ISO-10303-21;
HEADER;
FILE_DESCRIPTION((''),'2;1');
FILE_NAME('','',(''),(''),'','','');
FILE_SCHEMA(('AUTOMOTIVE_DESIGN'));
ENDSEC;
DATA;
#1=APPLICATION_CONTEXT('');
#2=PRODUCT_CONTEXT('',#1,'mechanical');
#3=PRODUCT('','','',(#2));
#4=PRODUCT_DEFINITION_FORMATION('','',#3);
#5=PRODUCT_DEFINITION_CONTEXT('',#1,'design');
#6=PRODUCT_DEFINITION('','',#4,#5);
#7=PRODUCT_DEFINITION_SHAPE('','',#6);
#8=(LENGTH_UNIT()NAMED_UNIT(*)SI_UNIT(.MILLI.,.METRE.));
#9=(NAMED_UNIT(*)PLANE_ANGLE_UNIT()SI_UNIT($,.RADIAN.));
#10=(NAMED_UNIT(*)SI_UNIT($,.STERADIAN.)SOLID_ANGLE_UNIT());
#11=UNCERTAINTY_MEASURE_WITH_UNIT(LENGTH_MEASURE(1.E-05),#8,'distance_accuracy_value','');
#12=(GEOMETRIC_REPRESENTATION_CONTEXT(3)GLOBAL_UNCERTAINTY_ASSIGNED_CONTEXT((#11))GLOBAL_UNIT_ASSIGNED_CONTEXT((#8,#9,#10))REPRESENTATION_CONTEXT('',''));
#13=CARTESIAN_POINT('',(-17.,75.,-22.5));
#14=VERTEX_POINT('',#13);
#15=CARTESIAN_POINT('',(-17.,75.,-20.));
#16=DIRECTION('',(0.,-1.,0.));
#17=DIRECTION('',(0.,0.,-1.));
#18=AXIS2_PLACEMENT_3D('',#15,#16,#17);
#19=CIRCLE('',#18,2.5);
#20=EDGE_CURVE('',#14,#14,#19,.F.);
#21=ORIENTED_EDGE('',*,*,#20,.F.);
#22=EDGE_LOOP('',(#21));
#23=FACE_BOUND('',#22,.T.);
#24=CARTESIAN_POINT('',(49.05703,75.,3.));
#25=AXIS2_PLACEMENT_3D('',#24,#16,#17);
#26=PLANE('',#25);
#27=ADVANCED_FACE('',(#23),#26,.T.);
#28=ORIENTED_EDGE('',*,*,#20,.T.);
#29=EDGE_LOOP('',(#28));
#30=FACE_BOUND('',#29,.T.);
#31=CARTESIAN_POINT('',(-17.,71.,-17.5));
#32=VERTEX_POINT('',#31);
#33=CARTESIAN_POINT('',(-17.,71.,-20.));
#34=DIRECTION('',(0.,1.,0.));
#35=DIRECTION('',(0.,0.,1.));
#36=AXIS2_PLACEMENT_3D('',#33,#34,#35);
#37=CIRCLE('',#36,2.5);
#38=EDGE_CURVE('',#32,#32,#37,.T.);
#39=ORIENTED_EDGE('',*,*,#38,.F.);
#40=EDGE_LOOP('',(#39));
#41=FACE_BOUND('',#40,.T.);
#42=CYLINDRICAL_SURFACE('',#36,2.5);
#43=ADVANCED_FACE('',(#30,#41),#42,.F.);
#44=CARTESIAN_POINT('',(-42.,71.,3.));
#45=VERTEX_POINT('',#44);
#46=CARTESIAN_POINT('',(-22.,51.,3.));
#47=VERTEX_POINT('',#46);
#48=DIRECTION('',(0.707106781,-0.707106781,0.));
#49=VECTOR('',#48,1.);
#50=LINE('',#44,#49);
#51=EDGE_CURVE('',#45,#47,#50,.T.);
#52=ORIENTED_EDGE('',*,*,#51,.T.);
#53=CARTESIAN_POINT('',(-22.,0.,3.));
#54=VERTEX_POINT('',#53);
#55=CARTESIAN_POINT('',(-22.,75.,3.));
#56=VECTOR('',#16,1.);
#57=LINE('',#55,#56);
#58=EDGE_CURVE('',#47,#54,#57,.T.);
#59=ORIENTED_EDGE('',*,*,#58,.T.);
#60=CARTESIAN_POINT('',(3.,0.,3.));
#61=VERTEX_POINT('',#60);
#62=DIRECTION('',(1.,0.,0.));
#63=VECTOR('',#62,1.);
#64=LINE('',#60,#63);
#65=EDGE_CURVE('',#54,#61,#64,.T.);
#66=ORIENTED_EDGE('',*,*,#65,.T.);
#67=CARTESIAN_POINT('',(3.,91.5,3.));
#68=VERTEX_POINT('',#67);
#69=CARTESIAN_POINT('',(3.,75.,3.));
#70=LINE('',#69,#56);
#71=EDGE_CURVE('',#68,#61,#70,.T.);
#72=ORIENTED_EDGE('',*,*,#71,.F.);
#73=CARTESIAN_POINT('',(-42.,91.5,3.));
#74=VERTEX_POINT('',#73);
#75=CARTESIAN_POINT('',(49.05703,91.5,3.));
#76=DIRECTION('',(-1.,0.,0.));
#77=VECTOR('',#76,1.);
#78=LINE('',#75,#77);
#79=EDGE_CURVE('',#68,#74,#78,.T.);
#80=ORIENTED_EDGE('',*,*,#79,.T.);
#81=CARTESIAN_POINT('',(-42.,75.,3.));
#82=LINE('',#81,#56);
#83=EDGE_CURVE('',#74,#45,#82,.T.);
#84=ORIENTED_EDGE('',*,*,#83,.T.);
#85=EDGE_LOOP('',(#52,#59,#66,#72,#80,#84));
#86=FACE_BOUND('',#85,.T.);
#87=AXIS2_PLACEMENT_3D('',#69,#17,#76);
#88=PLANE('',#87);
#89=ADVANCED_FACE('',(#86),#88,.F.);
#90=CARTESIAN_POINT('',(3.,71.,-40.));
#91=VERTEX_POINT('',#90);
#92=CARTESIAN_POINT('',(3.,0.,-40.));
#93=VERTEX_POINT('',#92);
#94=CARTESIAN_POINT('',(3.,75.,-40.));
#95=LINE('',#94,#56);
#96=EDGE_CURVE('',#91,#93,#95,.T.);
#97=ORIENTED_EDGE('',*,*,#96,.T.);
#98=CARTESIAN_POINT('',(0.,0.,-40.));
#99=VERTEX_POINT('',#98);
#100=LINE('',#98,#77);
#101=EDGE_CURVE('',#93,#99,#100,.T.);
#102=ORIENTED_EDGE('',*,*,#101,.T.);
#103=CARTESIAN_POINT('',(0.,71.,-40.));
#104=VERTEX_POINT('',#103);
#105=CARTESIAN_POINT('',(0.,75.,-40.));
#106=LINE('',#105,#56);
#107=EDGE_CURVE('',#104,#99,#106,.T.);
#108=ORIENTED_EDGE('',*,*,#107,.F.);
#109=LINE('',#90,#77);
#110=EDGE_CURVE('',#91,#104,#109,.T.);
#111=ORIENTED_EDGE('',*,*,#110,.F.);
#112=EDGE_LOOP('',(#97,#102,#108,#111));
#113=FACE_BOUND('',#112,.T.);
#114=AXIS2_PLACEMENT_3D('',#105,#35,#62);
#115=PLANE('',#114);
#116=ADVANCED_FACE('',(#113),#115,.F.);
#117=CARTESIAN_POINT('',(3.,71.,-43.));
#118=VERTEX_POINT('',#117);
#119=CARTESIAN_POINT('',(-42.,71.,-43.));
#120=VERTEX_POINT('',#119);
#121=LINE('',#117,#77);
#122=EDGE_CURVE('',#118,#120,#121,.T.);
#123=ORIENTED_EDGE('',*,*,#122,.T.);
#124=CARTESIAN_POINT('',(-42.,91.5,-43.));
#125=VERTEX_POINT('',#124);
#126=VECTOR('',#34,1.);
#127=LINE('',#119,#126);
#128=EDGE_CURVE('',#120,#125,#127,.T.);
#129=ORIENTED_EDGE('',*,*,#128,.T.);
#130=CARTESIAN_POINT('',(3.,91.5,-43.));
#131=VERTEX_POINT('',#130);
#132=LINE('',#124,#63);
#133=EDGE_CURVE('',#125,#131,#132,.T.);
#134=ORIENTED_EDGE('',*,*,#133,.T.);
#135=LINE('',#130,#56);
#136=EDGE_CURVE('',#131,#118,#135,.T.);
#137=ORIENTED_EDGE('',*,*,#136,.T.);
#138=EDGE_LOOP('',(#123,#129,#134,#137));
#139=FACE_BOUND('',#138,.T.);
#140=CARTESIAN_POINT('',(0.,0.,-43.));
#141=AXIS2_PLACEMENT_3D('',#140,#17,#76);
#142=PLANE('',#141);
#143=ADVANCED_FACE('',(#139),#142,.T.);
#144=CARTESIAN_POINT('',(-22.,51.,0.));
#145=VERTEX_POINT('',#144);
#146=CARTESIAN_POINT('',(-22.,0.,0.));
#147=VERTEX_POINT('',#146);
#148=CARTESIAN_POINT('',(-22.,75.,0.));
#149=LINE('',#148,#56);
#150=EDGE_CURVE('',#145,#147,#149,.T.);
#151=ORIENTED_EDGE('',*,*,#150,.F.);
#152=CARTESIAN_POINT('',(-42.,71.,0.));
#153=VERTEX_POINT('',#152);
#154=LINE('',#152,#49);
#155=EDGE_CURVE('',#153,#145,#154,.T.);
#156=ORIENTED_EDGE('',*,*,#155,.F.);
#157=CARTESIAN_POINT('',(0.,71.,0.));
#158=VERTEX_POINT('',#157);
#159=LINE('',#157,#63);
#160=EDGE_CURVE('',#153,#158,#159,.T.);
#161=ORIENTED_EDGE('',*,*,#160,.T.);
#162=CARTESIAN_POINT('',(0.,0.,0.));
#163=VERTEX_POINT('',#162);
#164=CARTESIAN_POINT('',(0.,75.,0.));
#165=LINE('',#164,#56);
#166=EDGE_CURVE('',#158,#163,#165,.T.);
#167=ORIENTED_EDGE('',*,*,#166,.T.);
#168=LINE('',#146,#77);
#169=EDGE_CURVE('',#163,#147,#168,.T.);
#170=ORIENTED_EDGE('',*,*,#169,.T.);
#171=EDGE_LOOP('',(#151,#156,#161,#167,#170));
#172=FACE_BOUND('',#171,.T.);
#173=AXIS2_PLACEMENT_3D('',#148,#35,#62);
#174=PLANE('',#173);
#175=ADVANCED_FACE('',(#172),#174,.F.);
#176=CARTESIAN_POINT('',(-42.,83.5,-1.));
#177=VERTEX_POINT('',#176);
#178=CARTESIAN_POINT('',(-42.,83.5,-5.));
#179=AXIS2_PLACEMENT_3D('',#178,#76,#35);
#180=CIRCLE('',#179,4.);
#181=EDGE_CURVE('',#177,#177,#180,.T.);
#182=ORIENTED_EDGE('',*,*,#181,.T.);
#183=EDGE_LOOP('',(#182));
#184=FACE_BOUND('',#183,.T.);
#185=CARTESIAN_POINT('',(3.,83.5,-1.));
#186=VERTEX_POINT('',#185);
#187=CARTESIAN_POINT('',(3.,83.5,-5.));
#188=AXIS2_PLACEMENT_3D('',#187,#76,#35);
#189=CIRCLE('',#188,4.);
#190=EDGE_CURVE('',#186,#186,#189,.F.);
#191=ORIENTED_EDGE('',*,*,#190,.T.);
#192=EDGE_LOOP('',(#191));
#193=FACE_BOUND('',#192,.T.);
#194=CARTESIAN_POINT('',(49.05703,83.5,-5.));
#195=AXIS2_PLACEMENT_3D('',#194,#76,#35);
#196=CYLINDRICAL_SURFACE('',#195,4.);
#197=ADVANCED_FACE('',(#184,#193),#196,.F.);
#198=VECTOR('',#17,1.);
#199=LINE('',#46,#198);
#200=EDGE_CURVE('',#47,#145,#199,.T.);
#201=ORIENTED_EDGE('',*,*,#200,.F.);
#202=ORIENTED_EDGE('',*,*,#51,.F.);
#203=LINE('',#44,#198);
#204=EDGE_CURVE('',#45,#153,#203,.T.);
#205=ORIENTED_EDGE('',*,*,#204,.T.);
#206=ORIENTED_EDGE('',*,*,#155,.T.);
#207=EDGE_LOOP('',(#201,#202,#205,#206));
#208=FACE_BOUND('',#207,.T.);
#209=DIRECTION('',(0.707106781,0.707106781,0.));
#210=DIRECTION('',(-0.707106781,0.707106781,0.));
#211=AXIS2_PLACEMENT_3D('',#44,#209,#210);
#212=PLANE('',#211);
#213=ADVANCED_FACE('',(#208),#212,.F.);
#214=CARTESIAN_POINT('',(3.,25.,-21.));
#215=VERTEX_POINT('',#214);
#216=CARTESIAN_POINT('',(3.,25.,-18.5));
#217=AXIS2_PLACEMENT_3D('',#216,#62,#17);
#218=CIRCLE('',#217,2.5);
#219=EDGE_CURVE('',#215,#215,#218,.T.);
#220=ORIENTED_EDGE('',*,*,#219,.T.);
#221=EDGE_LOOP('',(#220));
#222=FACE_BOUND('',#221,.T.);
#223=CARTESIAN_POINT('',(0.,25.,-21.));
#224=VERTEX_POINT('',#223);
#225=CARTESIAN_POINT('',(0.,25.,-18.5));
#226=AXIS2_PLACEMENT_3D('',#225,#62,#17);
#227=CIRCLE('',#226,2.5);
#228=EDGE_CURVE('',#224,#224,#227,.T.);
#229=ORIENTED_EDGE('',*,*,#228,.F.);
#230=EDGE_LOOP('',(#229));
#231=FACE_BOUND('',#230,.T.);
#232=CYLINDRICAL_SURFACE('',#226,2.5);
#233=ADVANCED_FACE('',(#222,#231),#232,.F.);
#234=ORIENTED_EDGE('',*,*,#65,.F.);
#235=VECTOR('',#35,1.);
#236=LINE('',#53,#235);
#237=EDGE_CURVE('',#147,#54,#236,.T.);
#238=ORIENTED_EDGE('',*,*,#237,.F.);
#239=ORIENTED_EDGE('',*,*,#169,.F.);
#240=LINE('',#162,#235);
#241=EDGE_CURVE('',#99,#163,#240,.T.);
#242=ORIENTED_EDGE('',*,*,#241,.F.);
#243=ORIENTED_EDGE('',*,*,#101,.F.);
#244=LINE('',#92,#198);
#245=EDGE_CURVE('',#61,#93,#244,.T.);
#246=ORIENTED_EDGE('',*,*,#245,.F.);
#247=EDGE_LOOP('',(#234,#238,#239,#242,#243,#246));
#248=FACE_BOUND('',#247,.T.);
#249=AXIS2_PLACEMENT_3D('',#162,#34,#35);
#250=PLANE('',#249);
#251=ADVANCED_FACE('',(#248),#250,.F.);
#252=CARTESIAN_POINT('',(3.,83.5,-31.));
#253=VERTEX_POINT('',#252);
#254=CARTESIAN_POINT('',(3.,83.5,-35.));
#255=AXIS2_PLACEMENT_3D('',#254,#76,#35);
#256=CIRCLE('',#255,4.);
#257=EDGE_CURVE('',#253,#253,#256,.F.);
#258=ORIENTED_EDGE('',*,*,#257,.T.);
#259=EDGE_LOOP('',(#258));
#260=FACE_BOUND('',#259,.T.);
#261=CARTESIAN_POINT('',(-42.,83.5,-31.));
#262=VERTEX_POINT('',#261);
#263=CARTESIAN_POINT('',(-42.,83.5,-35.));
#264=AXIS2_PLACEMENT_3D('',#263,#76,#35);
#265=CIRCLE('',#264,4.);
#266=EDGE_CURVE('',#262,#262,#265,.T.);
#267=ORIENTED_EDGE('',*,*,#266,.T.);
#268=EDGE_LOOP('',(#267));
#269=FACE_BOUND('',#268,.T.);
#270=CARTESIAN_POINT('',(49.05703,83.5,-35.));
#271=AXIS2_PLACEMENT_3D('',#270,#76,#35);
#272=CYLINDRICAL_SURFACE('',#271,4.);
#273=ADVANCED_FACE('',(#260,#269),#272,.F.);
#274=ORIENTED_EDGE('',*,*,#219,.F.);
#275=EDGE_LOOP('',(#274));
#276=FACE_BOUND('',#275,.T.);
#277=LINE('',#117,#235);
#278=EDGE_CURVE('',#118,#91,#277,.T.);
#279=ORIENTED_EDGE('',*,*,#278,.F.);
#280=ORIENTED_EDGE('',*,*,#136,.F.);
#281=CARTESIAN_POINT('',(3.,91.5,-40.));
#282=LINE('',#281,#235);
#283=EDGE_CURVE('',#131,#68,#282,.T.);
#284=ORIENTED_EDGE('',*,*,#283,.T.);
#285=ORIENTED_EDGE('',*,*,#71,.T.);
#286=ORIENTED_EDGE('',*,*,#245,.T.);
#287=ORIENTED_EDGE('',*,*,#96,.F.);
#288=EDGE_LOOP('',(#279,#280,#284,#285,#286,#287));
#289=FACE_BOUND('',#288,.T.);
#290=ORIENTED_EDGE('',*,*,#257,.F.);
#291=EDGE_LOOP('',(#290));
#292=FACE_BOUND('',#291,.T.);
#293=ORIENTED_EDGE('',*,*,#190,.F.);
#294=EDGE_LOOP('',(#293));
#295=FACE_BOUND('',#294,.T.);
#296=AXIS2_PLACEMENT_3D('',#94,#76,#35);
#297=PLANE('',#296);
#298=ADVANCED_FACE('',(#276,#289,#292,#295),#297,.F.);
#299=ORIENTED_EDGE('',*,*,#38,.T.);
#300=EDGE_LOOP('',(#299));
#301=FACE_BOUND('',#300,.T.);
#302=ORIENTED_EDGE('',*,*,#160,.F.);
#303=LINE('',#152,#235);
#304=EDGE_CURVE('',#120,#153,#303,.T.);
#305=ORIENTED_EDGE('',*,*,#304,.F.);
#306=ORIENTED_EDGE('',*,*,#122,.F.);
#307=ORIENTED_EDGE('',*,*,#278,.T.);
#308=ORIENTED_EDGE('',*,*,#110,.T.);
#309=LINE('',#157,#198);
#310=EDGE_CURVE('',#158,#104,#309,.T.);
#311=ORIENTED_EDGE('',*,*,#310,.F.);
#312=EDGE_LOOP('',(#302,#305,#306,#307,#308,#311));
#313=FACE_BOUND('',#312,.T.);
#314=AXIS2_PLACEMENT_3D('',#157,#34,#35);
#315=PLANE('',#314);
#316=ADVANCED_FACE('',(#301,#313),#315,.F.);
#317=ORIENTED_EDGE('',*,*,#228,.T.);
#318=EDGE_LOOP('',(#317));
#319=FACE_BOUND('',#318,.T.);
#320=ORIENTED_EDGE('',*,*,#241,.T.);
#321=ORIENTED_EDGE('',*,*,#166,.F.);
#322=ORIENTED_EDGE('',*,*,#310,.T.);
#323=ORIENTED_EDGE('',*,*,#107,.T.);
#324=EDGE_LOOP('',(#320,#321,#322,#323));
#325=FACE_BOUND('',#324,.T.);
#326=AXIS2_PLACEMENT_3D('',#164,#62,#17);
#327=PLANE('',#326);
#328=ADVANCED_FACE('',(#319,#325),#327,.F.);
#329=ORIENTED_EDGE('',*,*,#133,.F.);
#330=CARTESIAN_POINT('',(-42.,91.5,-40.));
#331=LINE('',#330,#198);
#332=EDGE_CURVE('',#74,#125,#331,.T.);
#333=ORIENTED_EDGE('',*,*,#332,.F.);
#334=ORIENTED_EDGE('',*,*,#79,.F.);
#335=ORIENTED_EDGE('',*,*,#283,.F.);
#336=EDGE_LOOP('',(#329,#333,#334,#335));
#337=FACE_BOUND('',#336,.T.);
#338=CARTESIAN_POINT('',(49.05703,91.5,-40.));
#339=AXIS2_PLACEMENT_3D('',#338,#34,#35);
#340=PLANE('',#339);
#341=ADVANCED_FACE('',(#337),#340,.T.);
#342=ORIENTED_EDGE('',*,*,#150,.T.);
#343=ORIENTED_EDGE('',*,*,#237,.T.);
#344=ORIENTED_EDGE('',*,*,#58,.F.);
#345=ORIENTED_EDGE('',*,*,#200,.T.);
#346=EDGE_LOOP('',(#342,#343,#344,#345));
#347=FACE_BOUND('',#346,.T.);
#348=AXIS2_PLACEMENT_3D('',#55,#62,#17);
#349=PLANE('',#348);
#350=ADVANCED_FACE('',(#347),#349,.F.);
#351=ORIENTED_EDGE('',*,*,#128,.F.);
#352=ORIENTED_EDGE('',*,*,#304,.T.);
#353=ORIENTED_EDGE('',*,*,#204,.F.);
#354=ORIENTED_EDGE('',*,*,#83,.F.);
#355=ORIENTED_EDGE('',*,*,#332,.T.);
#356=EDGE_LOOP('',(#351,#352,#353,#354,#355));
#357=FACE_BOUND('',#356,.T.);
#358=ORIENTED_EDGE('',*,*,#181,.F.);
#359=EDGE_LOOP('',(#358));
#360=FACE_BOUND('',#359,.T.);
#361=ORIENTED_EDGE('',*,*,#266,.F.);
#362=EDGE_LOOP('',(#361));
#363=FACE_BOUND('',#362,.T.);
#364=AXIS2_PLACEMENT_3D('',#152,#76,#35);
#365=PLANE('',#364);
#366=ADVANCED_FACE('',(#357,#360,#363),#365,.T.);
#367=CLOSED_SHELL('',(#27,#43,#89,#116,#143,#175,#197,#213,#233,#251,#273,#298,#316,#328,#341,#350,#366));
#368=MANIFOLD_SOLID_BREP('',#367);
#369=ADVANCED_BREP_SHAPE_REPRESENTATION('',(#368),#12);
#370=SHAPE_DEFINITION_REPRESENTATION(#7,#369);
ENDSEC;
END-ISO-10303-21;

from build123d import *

# Parameters (mm, degrees)
BOSS_EXTRUDE1_DEPTH = 75
SKETCH2_W           = 42
SKETCH2_H           = 40
SKETCH2_R           = 2.5
BOSS_EXTRUDE2_DEPTH = 4
BOSS_EXTRUDE3_DEPTH = 3
SKETCH4_R           = 2.5
CUT_EXTRUDE1_DEPTH  = 3
SKETCH5_W           = 43
SKETCH5_H           = 16.5
SKETCH5_R           = 4
BOSS_EXTRUDE4_DEPTH = 45
SKETCH6_W           = 45
SKETCH6_H           = 20.5
BOSS_EXTRUDE6_DEPTH = 3


with BuildPart() as part:
    # Sketch1 → Boss-Extrude1 (new body)
    with BuildSketch(Plane(origin=(0, 0, 0), x_dir=(1, 0, 0), z_dir=(0, 1, 0))):
        Polygon((0, 0), (0, 40), (3, 40), (3, -3), (-22, -3), (-22, 0), align=None)
    extrude(amount=BOSS_EXTRUDE1_DEPTH)

    # Sketch2 → Boss-Extrude2 (add)
    with BuildSketch(Plane(origin=(0, 75, 0), x_dir=(1, 0, 0), z_dir=(0, 1, 0))):
        with Locations((-21, 20)):
            Rectangle(SKETCH2_W, SKETCH2_H)
        with Locations(Location((-17, 20, 0), (0, 0, 270))):
            Circle(SKETCH2_R, mode=Mode.SUBTRACT)
    extrude(amount=-BOSS_EXTRUDE2_DEPTH)

    # Sketch3 → Boss-Extrude3 (add)
    with BuildSketch(Plane.XY):
        Polygon((-22, 75), (-42, 75), (-42, 71), (-22, 51), align=None)
    extrude(amount=BOSS_EXTRUDE3_DEPTH)

    # Sketch4 → Cut-Extrude1 (cut)
    with BuildSketch(Plane(origin=(3, 0, 0), x_dir=(0, 0, -1), z_dir=(1, 0, 0))):
        with Locations((18.5, 25)):
            Circle(SKETCH4_R)
    extrude(amount=-CUT_EXTRUDE1_DEPTH, mode=Mode.SUBTRACT)

    # Sketch5 → Boss-Extrude4 (add)
    with BuildSketch(Plane.ZY.offset(42)):
        with Locations((-18.5, 83.25)):
            Rectangle(SKETCH5_W, SKETCH5_H)
        with Locations((-35, 83.5)):
            Circle(SKETCH5_R, mode=Mode.SUBTRACT)
        with Locations((-5, 83.5)):
            Circle(SKETCH5_R, mode=Mode.SUBTRACT)
    extrude(amount=-BOSS_EXTRUDE4_DEPTH)

    # Sketch6 → Boss-Extrude6 (add)
    with BuildSketch(Plane(origin=(0, 0, -40), x_dir=(-1, 0, 0), z_dir=(0, 0, -1))):
        with Locations((19.5, 81.25)):
            Rectangle(SKETCH6_W, SKETCH6_H)
    extrude(amount=BOSS_EXTRUDE6_DEPTH)


solid = part.part
